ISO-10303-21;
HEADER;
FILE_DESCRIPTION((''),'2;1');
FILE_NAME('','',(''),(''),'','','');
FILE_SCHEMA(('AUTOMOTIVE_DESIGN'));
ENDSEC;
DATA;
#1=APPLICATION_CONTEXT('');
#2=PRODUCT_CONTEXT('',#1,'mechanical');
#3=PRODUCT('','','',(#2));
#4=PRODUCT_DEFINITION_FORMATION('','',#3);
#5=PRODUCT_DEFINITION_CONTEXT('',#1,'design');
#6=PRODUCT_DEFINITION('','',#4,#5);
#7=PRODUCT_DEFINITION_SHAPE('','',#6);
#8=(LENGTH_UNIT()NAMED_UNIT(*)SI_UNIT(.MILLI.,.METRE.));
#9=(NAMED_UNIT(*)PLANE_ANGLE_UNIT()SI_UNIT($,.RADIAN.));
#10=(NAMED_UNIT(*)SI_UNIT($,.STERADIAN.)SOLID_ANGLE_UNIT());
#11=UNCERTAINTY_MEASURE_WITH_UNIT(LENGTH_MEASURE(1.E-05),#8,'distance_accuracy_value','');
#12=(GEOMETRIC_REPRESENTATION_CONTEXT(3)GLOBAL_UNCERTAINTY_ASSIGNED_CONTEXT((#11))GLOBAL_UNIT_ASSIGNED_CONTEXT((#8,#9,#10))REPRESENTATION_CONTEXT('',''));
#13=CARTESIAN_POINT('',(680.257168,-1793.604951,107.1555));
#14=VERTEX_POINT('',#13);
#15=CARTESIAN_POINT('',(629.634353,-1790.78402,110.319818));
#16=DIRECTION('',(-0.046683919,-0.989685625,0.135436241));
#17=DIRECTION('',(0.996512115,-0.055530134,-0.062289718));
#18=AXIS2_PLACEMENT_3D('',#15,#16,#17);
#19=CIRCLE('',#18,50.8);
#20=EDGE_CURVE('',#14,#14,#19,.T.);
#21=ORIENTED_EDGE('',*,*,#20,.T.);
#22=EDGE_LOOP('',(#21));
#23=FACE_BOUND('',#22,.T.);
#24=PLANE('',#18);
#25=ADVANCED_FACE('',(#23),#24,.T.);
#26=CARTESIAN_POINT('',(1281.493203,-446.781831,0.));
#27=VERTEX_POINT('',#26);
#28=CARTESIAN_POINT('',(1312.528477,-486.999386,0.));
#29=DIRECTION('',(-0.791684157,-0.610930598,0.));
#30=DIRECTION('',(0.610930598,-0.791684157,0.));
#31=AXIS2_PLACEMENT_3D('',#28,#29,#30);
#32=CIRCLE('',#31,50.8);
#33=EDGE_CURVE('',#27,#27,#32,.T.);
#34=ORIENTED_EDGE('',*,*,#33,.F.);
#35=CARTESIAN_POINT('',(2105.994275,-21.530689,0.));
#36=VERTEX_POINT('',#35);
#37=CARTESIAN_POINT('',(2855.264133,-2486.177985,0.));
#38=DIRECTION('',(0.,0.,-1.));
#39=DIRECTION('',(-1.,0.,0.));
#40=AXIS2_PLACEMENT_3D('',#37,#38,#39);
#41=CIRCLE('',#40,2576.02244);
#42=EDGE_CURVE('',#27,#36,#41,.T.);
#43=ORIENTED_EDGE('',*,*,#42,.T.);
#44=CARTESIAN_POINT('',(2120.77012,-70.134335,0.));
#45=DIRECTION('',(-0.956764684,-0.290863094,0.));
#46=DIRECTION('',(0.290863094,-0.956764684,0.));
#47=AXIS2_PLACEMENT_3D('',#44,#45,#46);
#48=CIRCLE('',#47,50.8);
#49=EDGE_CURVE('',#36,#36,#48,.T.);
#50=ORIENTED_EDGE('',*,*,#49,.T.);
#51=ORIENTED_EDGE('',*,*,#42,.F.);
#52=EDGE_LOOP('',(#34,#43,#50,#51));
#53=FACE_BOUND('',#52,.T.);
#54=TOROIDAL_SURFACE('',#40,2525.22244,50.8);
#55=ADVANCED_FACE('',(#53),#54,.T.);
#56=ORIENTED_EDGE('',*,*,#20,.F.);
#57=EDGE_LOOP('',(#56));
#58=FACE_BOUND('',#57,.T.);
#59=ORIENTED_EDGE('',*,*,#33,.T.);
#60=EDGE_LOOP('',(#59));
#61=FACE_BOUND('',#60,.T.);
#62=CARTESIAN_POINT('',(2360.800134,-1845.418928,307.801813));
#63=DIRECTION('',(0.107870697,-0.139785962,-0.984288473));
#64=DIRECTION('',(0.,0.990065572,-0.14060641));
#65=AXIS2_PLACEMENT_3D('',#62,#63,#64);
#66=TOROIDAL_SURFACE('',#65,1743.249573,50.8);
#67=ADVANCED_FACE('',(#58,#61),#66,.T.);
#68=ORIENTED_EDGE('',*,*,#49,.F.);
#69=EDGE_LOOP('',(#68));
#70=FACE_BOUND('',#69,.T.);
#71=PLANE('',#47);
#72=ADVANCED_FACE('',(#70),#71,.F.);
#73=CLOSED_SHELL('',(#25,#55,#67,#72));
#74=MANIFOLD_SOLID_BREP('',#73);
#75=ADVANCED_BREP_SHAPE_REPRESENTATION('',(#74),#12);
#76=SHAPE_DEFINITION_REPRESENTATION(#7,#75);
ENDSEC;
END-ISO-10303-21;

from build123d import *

# Parameters (mm, degrees)
SKETCH4_R = 50.8
SKETCH5_R = 50.800000001


with BuildPart() as part:
    # Sweep1: sweep along a path in Sketch1
    with BuildLine(Plane.XY) as sweep1_path:
        ThreePointArc((2120.770120359, -70.13433514), (1697.728881507, -241.882880827), (1312.528477183, -486.999386236))
    # Sketch4 → Sweep1 (sweep)
    with BuildSketch(Plane(origin=(1921.832616086, 584.250433114, 0), x_dir=(0, 0, 1), z_dir=(-0.9567646839778512, -0.2908630940713561, 0))):
        with Locations((0, -683.955814018)):
            Circle(SKETCH4_R)
    sweep(path=sweep1_path.line)

    # Sweep2: sweep along a path in Sketch3
    with BuildLine(Plane(origin=(22.616066595, -29.307390524, -206.364975317), x_dir=(0.9941646251563757, 0.01438893129070862, 0.10690957274254942), z_dir=(-0.10787069663157066, 0.1397859622968214, 0.9842884727319382))) as sweep2_path:
        ThreePointArc((1297.861980819, -481.141114135), (809.791715094, -1058.414732217), (611.986976452, -1788.024696369))
    # Sketch5 → Sweep2 (sweep)
    with BuildSketch(Plane(origin=(587.101233977, 453.057074271, 0), x_dir=(0, 0, 1), z_dir=(-0.7916841570285102, -0.6109305979487828, 0))):
        with Locations((0, -1187.413505956)):
            Circle(SKETCH5_R)
    sweep(path=sweep2_path.line)


solid = part.part
